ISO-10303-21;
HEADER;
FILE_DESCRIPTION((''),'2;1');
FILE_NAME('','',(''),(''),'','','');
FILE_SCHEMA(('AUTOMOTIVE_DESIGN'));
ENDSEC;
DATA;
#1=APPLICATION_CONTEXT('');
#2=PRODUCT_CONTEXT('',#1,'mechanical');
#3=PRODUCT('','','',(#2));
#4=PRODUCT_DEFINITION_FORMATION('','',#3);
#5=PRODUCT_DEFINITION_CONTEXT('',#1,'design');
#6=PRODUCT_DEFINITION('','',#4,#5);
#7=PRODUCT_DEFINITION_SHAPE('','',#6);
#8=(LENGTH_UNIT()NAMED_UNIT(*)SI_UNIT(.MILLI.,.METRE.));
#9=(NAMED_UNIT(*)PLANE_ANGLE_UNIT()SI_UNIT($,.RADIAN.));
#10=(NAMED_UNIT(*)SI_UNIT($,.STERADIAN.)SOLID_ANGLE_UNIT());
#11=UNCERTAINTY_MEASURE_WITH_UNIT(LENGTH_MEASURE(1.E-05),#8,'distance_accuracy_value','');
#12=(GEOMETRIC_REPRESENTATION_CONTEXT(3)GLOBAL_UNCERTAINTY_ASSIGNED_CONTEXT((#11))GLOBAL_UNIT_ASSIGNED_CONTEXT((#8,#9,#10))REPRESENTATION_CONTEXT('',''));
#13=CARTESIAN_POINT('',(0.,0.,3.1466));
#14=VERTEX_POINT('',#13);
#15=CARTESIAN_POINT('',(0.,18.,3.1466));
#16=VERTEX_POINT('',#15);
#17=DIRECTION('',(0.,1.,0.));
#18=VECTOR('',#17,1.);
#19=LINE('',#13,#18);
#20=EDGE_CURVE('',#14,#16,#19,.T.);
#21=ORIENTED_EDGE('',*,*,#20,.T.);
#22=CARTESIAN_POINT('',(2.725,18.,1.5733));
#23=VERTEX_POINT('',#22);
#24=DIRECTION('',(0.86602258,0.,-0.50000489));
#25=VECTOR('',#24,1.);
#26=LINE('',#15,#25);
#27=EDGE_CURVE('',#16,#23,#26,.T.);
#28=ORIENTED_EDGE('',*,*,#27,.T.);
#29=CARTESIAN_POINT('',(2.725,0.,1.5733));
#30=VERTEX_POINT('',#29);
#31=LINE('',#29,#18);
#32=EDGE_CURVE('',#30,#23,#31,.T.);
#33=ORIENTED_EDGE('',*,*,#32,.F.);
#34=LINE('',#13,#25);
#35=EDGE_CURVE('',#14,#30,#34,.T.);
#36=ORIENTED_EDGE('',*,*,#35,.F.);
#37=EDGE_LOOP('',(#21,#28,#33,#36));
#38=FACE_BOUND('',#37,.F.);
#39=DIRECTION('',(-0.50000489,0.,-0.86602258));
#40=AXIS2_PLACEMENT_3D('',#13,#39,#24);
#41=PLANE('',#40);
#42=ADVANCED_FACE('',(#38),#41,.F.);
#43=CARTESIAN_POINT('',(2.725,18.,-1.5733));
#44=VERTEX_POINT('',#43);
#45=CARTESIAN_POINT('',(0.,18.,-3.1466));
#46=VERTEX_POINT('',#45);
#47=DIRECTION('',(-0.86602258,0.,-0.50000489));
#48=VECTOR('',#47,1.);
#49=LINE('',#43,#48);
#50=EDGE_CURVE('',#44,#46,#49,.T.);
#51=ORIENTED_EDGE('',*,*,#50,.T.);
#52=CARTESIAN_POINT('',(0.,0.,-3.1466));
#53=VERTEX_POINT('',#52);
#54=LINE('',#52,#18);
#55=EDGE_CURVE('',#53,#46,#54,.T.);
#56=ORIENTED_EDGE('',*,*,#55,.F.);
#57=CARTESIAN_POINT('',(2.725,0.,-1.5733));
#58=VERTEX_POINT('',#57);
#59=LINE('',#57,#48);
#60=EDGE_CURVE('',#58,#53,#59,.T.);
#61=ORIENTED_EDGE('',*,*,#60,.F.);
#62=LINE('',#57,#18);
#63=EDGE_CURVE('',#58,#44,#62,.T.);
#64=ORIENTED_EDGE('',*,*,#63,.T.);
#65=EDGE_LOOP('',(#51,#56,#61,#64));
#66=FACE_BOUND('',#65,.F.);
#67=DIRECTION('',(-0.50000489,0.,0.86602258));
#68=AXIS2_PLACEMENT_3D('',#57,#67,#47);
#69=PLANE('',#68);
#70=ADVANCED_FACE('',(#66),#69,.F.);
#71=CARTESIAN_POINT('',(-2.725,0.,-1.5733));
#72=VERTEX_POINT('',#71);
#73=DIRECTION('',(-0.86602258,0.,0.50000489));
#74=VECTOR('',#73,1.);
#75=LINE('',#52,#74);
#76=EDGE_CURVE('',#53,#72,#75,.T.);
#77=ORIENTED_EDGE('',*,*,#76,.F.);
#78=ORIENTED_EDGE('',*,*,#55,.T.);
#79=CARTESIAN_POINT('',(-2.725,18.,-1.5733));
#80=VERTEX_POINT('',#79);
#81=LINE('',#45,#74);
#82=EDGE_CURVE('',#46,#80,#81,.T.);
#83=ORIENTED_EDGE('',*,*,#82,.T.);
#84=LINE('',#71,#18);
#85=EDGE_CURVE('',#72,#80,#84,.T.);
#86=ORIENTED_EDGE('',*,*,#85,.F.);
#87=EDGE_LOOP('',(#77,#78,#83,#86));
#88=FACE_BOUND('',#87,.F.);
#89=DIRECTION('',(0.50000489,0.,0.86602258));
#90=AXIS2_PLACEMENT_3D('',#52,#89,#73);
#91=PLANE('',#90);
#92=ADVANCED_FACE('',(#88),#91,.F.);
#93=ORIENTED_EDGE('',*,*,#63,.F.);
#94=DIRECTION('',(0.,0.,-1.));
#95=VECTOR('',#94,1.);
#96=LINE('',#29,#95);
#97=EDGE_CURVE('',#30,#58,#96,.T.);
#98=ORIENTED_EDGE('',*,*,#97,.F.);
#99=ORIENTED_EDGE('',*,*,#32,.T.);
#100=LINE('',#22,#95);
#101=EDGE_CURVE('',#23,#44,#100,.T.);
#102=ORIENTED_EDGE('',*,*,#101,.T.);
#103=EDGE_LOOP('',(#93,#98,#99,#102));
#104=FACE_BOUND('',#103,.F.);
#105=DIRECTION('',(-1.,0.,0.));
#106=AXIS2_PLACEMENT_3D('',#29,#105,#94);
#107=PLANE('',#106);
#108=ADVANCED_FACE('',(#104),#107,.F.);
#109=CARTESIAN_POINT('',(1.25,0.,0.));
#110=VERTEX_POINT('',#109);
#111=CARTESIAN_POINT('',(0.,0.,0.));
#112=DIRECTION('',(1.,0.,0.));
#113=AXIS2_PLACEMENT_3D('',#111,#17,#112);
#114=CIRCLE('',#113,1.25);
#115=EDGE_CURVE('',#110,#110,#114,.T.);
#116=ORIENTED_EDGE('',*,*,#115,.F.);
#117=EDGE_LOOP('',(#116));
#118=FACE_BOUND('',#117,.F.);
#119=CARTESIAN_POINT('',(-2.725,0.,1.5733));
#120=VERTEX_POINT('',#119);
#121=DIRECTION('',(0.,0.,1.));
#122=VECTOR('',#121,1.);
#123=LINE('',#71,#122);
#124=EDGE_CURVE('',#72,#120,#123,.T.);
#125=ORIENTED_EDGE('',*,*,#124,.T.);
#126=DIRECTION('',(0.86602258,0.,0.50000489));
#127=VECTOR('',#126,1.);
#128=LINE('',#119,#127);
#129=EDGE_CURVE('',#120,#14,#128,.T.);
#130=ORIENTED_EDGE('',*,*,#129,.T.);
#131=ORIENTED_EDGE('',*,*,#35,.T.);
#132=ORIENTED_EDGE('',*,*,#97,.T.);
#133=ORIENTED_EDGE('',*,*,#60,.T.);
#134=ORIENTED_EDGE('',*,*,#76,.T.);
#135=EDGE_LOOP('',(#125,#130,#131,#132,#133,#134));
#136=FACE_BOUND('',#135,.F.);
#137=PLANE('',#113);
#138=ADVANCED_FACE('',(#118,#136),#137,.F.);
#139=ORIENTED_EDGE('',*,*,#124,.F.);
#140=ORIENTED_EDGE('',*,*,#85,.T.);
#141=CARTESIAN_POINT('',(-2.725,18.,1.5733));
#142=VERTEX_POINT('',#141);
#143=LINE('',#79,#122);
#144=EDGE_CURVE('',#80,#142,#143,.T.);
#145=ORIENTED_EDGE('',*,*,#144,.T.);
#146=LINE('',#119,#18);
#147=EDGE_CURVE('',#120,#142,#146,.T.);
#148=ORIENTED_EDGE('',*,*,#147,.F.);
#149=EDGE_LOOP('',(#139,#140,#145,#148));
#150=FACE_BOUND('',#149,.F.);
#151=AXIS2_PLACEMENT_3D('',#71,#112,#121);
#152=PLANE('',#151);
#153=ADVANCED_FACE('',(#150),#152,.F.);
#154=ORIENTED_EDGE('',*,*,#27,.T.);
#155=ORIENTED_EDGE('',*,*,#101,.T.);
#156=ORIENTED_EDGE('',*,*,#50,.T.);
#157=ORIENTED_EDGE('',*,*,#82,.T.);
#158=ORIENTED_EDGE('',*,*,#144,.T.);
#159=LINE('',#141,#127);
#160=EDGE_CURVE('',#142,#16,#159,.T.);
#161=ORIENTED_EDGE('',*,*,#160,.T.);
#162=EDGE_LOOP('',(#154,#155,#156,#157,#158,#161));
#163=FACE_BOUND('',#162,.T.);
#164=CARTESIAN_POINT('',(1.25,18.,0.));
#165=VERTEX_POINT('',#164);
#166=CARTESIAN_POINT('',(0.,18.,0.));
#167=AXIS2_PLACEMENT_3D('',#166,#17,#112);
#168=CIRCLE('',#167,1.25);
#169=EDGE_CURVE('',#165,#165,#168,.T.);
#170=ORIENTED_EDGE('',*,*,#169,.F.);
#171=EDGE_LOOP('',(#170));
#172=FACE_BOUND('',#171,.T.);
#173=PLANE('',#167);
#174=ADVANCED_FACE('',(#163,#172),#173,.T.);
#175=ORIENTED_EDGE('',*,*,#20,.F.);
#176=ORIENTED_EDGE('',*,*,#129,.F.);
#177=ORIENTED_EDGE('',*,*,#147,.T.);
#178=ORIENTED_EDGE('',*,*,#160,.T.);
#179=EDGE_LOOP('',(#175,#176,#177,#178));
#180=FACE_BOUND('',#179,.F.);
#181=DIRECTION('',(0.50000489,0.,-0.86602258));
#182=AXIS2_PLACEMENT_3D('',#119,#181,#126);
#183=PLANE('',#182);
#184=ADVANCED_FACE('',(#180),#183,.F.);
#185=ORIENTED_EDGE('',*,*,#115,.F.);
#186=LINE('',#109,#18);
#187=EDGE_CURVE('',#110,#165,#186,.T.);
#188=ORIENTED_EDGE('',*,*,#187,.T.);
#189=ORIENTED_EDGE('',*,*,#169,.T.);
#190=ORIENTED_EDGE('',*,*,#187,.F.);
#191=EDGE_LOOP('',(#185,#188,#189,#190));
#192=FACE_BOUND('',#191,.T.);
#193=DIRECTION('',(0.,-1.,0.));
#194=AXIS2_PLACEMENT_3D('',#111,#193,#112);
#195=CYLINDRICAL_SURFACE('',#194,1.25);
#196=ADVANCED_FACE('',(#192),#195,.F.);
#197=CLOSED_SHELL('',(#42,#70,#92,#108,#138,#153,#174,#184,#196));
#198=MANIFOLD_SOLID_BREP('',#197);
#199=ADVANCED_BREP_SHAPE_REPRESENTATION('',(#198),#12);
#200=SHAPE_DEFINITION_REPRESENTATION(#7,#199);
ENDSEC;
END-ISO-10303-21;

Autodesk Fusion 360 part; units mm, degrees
sketch "Sketch1" plane through (0, 0, 0) normal (0, 1, 0) x (1, 0, 0)
  line L0 (2.725, 1.5733) -> (0, 3.1466)
  line L1 (0, 3.1466) -> (-2.725, 1.5733)
  line L2 (-2.725, 1.5733) -> (-2.725, -1.5733)
  line L3 (-2.725, -1.5733) -> (0, -3.1466)
  line L4 (0, -3.1466) -> (2.725, -1.5733)
  line L5 (2.725, -1.5733) -> (2.725, 1.5733)
  circle A0 centre (0, 0) radius 1.25
  dimension "d1" = 2.5
extrude "Extrude1" add sketch "Sketch1" along normal blind 18
